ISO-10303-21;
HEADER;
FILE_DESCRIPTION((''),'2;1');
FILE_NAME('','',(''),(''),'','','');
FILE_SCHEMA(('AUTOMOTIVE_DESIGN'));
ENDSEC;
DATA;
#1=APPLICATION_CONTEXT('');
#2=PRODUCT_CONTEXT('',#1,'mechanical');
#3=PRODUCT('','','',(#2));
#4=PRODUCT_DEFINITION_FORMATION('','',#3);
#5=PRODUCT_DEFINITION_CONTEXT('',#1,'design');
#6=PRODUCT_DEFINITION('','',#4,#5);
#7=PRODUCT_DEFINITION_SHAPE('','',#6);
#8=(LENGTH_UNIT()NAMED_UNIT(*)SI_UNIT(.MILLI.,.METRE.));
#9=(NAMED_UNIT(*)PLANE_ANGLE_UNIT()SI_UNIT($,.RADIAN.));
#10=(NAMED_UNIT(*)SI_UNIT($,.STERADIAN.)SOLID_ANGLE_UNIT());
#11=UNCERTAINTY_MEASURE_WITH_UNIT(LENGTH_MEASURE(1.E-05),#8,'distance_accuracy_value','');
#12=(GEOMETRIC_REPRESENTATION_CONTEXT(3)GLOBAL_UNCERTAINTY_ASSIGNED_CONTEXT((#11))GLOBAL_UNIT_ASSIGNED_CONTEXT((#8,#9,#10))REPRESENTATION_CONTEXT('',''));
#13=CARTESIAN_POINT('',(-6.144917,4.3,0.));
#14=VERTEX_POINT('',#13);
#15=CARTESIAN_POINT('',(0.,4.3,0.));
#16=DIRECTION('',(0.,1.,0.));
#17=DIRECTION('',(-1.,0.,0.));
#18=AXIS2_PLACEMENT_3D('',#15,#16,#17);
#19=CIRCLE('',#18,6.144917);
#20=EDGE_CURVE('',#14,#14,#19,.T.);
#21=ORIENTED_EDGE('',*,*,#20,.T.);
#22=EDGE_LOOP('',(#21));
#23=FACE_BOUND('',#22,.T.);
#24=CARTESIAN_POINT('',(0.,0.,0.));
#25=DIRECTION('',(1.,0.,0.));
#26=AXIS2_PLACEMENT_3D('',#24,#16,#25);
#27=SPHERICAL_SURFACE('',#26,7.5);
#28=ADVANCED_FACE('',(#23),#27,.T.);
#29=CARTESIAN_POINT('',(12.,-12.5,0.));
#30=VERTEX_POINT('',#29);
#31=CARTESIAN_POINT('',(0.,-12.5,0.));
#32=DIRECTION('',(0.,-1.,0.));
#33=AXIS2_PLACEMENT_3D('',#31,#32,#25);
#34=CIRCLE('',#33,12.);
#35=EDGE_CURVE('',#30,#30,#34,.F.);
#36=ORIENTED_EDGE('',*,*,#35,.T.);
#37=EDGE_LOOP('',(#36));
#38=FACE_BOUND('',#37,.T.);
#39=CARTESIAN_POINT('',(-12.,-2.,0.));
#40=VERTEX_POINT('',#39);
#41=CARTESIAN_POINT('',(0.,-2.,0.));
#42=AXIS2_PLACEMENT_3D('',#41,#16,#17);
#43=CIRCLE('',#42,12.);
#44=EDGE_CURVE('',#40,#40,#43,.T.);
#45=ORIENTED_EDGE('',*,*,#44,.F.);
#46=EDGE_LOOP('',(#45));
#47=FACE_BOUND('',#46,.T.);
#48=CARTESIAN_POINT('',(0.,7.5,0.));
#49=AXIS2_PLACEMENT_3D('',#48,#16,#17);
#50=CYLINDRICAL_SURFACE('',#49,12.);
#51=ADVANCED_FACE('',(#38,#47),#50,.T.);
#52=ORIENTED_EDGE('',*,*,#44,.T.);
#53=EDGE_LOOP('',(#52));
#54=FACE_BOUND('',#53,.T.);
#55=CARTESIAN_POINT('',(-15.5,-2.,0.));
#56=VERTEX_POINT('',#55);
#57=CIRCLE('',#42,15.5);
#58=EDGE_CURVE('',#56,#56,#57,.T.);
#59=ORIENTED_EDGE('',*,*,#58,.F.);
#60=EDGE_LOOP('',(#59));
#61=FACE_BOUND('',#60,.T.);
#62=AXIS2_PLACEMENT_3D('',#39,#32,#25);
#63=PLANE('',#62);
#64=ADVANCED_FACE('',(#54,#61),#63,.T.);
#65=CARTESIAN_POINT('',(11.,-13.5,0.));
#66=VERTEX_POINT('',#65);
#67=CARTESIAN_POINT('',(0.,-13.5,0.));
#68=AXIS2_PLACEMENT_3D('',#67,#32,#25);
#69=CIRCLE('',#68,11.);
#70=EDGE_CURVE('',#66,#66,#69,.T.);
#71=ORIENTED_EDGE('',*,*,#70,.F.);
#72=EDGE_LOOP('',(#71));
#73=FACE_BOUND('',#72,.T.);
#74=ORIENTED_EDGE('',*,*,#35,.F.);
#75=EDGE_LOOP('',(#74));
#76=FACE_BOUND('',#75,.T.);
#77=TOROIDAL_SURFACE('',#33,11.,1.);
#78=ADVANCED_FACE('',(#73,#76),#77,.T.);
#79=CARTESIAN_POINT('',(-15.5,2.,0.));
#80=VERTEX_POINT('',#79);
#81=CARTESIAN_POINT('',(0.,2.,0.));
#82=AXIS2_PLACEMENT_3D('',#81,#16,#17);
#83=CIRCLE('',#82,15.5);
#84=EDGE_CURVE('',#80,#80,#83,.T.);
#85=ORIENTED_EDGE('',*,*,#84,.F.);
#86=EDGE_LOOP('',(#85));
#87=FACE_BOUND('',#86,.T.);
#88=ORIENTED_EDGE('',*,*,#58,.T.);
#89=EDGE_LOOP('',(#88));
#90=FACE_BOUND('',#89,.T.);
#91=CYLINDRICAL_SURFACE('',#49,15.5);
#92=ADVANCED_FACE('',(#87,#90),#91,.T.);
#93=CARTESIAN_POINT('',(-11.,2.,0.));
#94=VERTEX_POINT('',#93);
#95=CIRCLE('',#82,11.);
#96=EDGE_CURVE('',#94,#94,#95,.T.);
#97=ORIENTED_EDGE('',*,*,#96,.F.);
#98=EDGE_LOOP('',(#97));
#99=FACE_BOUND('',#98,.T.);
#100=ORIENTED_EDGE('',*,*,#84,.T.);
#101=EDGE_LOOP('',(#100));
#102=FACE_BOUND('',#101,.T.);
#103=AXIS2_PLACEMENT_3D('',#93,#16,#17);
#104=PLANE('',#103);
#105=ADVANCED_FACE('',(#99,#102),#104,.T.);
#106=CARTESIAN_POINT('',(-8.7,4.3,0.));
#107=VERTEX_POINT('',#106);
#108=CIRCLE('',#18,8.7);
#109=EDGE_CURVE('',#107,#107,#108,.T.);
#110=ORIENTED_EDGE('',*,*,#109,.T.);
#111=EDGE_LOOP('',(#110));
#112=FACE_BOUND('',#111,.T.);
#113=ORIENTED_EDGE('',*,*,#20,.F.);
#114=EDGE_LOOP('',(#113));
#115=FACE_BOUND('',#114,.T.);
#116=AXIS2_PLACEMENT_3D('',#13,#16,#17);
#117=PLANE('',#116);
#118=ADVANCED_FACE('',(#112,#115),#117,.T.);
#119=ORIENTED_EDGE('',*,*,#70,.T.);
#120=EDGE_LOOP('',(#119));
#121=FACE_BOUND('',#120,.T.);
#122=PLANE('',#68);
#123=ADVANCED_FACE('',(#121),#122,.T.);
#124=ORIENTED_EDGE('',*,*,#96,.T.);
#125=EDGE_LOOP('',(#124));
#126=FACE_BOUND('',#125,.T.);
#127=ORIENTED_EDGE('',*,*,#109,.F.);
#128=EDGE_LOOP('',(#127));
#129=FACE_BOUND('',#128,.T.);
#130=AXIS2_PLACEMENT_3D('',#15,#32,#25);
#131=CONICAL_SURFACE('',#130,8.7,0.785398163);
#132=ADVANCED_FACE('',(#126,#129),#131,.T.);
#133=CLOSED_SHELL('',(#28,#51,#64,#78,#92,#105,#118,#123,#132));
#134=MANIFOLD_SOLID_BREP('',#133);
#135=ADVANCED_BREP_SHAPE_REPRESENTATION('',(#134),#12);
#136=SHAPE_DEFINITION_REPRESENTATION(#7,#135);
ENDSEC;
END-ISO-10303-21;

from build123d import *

# Parameters (mm, degrees)
FILLET1_R = 1


with BuildPart() as part:
    # Esquisse1 → Révolution1 (revolve)
    with BuildSketch(Plane.XY):
        with BuildLine():
            Line((-12, -2), (-15.5, -2))
            Line((-15.5, -2), (-15.5, 2))
            Line((-15.5, 2), (-11, 2))
            Line((-11, 2), (-8.7, 4.3))
            Line((-8.7, 4.3), (-6.144916598, 4.3))
            ThreePointArc((-6.144916598, 4.3), (-3.464101615, 6.652067348), (0, 7.5))
            Line((0, 7.5), (0, -13.5))
            Line((0, -13.5), (-12, -13.5))
            Line((-12, -13.5), (-12, -12))
            Line((-12, -12), (-12, -2))
        make_face()
    revolve(axis=Axis((0, 7.5, 0), (0, -1, 0)))

    # Fillet1
    fillet1_edges = [part.edges().sort_by_distance(p)[0] for p in [
        (12, -13.5, 0),
    ]]
    fillet(fillet1_edges, radius=FILLET1_R)


solid = part.part
